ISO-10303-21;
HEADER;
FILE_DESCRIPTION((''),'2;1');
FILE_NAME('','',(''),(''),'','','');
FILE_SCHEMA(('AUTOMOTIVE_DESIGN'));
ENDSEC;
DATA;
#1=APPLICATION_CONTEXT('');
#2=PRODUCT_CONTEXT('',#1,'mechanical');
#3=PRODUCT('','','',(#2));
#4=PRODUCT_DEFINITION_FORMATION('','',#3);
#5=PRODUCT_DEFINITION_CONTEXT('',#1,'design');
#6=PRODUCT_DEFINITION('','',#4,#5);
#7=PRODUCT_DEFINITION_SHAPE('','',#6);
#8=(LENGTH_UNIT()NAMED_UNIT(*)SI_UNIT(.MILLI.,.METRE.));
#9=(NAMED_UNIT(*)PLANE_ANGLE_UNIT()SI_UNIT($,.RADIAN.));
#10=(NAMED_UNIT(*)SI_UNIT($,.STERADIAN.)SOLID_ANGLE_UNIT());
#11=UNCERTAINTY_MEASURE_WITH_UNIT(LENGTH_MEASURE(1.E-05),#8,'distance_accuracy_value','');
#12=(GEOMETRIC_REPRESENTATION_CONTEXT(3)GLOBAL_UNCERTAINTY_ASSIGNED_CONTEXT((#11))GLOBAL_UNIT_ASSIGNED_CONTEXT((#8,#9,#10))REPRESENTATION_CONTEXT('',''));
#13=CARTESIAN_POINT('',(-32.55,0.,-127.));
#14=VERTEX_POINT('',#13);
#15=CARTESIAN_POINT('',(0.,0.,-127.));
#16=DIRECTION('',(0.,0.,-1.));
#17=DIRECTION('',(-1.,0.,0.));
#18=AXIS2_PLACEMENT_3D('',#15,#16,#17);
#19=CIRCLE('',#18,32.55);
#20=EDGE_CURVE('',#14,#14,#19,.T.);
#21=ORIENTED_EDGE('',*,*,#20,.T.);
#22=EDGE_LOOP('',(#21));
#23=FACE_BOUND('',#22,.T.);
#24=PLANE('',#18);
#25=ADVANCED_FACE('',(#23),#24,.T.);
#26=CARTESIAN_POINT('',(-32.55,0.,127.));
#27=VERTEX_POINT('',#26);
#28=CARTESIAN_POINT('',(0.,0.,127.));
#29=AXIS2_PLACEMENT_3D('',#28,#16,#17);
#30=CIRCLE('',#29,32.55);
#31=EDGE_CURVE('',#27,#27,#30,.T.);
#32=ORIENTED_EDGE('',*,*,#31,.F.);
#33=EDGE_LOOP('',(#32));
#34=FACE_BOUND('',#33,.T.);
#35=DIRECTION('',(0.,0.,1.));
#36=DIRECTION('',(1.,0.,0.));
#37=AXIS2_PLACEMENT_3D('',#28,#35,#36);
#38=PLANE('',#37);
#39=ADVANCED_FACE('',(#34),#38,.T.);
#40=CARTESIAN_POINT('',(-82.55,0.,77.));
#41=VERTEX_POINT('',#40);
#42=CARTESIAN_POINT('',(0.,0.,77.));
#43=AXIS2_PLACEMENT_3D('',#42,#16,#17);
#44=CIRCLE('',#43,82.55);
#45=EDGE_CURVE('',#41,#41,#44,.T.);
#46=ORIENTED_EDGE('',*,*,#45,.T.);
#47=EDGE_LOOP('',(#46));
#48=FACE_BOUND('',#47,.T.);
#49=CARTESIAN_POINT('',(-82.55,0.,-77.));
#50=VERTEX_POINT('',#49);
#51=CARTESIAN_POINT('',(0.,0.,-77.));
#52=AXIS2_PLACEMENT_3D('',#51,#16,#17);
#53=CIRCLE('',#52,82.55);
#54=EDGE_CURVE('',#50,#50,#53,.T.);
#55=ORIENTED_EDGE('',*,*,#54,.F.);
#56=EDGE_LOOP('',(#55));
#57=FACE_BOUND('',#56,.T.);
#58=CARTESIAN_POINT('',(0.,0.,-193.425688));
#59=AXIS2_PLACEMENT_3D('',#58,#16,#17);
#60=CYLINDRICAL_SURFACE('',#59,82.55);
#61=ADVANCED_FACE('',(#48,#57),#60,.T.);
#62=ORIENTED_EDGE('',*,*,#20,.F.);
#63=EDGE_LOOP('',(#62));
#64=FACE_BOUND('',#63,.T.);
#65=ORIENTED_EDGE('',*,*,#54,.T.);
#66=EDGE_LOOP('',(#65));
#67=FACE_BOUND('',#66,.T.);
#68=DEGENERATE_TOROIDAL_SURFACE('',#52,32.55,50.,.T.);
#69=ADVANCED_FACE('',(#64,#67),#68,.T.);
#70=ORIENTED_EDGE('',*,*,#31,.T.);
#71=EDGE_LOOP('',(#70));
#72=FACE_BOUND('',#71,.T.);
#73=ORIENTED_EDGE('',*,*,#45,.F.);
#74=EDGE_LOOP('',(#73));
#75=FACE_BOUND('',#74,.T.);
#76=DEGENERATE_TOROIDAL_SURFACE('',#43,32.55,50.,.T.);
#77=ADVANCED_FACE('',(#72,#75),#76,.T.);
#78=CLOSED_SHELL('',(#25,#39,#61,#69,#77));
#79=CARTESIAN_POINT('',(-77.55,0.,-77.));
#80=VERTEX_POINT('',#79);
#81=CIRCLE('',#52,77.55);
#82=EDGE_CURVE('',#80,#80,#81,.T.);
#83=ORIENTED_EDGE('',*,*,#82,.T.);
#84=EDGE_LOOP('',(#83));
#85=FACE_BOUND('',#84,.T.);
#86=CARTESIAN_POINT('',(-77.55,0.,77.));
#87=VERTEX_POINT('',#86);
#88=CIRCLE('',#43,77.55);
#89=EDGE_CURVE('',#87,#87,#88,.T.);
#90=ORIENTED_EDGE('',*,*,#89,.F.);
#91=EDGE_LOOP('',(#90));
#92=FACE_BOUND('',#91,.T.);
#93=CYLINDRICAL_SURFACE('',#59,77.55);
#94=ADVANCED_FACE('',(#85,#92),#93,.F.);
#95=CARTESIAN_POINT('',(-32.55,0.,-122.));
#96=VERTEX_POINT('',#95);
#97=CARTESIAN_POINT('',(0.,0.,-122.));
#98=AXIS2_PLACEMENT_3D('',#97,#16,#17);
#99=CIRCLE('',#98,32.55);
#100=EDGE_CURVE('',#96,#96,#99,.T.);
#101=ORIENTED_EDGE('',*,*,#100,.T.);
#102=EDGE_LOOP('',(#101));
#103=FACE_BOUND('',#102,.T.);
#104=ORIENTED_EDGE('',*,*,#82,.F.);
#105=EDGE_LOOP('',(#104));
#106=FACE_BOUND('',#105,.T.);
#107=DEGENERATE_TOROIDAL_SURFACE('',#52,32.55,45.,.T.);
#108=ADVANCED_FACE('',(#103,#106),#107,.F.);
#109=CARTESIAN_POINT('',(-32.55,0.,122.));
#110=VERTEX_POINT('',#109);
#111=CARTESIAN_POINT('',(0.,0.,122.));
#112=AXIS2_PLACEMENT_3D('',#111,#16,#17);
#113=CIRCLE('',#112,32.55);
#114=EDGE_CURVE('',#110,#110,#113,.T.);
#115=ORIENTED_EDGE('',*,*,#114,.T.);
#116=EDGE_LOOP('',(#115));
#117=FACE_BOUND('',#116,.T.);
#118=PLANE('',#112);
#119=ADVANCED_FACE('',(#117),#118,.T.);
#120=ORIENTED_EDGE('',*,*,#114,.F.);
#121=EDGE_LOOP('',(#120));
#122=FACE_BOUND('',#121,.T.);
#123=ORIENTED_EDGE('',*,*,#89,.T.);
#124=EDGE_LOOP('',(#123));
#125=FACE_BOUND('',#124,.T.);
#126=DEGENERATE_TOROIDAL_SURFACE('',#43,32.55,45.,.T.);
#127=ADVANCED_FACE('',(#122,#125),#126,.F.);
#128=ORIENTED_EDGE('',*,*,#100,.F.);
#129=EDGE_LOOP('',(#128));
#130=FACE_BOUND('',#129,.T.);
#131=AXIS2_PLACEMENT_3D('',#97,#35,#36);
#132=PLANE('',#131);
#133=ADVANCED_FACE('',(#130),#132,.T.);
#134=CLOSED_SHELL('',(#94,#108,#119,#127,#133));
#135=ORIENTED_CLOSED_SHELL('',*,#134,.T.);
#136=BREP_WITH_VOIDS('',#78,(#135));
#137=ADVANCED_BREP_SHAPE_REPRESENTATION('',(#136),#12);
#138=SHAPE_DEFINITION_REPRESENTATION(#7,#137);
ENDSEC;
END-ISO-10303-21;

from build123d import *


with BuildPart() as part:
    # Sketch1 → Revolve1 (revolve)
    with BuildSketch(Plane(origin=(0, 0, 0), x_dir=(0, 0, -1), z_dir=(1, 0, 0)), mode=Mode.PRIVATE) as revolve1_sk:
        with BuildLine():
            Line((-77, 82.55), (77, 82.55))
            ThreePointArc((77, 82.55), (112.355339059, 67.905339059), (127, 32.55))
            Line((127, 32.55), (127, 0))
            Line((127, 0), (122, 0))
            Line((122, 0), (122, 32.55))
            ThreePointArc((122, 32.55), (108.819805153, 64.369805153), (77, 77.55))
            Line((77, 77.55), (-77, 77.55))
            ThreePointArc((-77, 77.55), (-108.819805153, 64.369805153), (-122, 32.55))
            Line((-122, 32.55), (-122, 0))
            Line((-122, 0), (-127, 0))
            Line((-127, 0), (-127, 32.55))
            ThreePointArc((-127, 32.55), (-112.355339059, 67.905339059), (-77, 82.55))
        make_face()
    revolve(revolve1_sk.sketch.rotate(Axis((0, 0, -193.425688195), (0, 0, 1)), 90), axis=Axis((0, 0, -193.425688195), (0, 0, 1)))


solid = part.part
